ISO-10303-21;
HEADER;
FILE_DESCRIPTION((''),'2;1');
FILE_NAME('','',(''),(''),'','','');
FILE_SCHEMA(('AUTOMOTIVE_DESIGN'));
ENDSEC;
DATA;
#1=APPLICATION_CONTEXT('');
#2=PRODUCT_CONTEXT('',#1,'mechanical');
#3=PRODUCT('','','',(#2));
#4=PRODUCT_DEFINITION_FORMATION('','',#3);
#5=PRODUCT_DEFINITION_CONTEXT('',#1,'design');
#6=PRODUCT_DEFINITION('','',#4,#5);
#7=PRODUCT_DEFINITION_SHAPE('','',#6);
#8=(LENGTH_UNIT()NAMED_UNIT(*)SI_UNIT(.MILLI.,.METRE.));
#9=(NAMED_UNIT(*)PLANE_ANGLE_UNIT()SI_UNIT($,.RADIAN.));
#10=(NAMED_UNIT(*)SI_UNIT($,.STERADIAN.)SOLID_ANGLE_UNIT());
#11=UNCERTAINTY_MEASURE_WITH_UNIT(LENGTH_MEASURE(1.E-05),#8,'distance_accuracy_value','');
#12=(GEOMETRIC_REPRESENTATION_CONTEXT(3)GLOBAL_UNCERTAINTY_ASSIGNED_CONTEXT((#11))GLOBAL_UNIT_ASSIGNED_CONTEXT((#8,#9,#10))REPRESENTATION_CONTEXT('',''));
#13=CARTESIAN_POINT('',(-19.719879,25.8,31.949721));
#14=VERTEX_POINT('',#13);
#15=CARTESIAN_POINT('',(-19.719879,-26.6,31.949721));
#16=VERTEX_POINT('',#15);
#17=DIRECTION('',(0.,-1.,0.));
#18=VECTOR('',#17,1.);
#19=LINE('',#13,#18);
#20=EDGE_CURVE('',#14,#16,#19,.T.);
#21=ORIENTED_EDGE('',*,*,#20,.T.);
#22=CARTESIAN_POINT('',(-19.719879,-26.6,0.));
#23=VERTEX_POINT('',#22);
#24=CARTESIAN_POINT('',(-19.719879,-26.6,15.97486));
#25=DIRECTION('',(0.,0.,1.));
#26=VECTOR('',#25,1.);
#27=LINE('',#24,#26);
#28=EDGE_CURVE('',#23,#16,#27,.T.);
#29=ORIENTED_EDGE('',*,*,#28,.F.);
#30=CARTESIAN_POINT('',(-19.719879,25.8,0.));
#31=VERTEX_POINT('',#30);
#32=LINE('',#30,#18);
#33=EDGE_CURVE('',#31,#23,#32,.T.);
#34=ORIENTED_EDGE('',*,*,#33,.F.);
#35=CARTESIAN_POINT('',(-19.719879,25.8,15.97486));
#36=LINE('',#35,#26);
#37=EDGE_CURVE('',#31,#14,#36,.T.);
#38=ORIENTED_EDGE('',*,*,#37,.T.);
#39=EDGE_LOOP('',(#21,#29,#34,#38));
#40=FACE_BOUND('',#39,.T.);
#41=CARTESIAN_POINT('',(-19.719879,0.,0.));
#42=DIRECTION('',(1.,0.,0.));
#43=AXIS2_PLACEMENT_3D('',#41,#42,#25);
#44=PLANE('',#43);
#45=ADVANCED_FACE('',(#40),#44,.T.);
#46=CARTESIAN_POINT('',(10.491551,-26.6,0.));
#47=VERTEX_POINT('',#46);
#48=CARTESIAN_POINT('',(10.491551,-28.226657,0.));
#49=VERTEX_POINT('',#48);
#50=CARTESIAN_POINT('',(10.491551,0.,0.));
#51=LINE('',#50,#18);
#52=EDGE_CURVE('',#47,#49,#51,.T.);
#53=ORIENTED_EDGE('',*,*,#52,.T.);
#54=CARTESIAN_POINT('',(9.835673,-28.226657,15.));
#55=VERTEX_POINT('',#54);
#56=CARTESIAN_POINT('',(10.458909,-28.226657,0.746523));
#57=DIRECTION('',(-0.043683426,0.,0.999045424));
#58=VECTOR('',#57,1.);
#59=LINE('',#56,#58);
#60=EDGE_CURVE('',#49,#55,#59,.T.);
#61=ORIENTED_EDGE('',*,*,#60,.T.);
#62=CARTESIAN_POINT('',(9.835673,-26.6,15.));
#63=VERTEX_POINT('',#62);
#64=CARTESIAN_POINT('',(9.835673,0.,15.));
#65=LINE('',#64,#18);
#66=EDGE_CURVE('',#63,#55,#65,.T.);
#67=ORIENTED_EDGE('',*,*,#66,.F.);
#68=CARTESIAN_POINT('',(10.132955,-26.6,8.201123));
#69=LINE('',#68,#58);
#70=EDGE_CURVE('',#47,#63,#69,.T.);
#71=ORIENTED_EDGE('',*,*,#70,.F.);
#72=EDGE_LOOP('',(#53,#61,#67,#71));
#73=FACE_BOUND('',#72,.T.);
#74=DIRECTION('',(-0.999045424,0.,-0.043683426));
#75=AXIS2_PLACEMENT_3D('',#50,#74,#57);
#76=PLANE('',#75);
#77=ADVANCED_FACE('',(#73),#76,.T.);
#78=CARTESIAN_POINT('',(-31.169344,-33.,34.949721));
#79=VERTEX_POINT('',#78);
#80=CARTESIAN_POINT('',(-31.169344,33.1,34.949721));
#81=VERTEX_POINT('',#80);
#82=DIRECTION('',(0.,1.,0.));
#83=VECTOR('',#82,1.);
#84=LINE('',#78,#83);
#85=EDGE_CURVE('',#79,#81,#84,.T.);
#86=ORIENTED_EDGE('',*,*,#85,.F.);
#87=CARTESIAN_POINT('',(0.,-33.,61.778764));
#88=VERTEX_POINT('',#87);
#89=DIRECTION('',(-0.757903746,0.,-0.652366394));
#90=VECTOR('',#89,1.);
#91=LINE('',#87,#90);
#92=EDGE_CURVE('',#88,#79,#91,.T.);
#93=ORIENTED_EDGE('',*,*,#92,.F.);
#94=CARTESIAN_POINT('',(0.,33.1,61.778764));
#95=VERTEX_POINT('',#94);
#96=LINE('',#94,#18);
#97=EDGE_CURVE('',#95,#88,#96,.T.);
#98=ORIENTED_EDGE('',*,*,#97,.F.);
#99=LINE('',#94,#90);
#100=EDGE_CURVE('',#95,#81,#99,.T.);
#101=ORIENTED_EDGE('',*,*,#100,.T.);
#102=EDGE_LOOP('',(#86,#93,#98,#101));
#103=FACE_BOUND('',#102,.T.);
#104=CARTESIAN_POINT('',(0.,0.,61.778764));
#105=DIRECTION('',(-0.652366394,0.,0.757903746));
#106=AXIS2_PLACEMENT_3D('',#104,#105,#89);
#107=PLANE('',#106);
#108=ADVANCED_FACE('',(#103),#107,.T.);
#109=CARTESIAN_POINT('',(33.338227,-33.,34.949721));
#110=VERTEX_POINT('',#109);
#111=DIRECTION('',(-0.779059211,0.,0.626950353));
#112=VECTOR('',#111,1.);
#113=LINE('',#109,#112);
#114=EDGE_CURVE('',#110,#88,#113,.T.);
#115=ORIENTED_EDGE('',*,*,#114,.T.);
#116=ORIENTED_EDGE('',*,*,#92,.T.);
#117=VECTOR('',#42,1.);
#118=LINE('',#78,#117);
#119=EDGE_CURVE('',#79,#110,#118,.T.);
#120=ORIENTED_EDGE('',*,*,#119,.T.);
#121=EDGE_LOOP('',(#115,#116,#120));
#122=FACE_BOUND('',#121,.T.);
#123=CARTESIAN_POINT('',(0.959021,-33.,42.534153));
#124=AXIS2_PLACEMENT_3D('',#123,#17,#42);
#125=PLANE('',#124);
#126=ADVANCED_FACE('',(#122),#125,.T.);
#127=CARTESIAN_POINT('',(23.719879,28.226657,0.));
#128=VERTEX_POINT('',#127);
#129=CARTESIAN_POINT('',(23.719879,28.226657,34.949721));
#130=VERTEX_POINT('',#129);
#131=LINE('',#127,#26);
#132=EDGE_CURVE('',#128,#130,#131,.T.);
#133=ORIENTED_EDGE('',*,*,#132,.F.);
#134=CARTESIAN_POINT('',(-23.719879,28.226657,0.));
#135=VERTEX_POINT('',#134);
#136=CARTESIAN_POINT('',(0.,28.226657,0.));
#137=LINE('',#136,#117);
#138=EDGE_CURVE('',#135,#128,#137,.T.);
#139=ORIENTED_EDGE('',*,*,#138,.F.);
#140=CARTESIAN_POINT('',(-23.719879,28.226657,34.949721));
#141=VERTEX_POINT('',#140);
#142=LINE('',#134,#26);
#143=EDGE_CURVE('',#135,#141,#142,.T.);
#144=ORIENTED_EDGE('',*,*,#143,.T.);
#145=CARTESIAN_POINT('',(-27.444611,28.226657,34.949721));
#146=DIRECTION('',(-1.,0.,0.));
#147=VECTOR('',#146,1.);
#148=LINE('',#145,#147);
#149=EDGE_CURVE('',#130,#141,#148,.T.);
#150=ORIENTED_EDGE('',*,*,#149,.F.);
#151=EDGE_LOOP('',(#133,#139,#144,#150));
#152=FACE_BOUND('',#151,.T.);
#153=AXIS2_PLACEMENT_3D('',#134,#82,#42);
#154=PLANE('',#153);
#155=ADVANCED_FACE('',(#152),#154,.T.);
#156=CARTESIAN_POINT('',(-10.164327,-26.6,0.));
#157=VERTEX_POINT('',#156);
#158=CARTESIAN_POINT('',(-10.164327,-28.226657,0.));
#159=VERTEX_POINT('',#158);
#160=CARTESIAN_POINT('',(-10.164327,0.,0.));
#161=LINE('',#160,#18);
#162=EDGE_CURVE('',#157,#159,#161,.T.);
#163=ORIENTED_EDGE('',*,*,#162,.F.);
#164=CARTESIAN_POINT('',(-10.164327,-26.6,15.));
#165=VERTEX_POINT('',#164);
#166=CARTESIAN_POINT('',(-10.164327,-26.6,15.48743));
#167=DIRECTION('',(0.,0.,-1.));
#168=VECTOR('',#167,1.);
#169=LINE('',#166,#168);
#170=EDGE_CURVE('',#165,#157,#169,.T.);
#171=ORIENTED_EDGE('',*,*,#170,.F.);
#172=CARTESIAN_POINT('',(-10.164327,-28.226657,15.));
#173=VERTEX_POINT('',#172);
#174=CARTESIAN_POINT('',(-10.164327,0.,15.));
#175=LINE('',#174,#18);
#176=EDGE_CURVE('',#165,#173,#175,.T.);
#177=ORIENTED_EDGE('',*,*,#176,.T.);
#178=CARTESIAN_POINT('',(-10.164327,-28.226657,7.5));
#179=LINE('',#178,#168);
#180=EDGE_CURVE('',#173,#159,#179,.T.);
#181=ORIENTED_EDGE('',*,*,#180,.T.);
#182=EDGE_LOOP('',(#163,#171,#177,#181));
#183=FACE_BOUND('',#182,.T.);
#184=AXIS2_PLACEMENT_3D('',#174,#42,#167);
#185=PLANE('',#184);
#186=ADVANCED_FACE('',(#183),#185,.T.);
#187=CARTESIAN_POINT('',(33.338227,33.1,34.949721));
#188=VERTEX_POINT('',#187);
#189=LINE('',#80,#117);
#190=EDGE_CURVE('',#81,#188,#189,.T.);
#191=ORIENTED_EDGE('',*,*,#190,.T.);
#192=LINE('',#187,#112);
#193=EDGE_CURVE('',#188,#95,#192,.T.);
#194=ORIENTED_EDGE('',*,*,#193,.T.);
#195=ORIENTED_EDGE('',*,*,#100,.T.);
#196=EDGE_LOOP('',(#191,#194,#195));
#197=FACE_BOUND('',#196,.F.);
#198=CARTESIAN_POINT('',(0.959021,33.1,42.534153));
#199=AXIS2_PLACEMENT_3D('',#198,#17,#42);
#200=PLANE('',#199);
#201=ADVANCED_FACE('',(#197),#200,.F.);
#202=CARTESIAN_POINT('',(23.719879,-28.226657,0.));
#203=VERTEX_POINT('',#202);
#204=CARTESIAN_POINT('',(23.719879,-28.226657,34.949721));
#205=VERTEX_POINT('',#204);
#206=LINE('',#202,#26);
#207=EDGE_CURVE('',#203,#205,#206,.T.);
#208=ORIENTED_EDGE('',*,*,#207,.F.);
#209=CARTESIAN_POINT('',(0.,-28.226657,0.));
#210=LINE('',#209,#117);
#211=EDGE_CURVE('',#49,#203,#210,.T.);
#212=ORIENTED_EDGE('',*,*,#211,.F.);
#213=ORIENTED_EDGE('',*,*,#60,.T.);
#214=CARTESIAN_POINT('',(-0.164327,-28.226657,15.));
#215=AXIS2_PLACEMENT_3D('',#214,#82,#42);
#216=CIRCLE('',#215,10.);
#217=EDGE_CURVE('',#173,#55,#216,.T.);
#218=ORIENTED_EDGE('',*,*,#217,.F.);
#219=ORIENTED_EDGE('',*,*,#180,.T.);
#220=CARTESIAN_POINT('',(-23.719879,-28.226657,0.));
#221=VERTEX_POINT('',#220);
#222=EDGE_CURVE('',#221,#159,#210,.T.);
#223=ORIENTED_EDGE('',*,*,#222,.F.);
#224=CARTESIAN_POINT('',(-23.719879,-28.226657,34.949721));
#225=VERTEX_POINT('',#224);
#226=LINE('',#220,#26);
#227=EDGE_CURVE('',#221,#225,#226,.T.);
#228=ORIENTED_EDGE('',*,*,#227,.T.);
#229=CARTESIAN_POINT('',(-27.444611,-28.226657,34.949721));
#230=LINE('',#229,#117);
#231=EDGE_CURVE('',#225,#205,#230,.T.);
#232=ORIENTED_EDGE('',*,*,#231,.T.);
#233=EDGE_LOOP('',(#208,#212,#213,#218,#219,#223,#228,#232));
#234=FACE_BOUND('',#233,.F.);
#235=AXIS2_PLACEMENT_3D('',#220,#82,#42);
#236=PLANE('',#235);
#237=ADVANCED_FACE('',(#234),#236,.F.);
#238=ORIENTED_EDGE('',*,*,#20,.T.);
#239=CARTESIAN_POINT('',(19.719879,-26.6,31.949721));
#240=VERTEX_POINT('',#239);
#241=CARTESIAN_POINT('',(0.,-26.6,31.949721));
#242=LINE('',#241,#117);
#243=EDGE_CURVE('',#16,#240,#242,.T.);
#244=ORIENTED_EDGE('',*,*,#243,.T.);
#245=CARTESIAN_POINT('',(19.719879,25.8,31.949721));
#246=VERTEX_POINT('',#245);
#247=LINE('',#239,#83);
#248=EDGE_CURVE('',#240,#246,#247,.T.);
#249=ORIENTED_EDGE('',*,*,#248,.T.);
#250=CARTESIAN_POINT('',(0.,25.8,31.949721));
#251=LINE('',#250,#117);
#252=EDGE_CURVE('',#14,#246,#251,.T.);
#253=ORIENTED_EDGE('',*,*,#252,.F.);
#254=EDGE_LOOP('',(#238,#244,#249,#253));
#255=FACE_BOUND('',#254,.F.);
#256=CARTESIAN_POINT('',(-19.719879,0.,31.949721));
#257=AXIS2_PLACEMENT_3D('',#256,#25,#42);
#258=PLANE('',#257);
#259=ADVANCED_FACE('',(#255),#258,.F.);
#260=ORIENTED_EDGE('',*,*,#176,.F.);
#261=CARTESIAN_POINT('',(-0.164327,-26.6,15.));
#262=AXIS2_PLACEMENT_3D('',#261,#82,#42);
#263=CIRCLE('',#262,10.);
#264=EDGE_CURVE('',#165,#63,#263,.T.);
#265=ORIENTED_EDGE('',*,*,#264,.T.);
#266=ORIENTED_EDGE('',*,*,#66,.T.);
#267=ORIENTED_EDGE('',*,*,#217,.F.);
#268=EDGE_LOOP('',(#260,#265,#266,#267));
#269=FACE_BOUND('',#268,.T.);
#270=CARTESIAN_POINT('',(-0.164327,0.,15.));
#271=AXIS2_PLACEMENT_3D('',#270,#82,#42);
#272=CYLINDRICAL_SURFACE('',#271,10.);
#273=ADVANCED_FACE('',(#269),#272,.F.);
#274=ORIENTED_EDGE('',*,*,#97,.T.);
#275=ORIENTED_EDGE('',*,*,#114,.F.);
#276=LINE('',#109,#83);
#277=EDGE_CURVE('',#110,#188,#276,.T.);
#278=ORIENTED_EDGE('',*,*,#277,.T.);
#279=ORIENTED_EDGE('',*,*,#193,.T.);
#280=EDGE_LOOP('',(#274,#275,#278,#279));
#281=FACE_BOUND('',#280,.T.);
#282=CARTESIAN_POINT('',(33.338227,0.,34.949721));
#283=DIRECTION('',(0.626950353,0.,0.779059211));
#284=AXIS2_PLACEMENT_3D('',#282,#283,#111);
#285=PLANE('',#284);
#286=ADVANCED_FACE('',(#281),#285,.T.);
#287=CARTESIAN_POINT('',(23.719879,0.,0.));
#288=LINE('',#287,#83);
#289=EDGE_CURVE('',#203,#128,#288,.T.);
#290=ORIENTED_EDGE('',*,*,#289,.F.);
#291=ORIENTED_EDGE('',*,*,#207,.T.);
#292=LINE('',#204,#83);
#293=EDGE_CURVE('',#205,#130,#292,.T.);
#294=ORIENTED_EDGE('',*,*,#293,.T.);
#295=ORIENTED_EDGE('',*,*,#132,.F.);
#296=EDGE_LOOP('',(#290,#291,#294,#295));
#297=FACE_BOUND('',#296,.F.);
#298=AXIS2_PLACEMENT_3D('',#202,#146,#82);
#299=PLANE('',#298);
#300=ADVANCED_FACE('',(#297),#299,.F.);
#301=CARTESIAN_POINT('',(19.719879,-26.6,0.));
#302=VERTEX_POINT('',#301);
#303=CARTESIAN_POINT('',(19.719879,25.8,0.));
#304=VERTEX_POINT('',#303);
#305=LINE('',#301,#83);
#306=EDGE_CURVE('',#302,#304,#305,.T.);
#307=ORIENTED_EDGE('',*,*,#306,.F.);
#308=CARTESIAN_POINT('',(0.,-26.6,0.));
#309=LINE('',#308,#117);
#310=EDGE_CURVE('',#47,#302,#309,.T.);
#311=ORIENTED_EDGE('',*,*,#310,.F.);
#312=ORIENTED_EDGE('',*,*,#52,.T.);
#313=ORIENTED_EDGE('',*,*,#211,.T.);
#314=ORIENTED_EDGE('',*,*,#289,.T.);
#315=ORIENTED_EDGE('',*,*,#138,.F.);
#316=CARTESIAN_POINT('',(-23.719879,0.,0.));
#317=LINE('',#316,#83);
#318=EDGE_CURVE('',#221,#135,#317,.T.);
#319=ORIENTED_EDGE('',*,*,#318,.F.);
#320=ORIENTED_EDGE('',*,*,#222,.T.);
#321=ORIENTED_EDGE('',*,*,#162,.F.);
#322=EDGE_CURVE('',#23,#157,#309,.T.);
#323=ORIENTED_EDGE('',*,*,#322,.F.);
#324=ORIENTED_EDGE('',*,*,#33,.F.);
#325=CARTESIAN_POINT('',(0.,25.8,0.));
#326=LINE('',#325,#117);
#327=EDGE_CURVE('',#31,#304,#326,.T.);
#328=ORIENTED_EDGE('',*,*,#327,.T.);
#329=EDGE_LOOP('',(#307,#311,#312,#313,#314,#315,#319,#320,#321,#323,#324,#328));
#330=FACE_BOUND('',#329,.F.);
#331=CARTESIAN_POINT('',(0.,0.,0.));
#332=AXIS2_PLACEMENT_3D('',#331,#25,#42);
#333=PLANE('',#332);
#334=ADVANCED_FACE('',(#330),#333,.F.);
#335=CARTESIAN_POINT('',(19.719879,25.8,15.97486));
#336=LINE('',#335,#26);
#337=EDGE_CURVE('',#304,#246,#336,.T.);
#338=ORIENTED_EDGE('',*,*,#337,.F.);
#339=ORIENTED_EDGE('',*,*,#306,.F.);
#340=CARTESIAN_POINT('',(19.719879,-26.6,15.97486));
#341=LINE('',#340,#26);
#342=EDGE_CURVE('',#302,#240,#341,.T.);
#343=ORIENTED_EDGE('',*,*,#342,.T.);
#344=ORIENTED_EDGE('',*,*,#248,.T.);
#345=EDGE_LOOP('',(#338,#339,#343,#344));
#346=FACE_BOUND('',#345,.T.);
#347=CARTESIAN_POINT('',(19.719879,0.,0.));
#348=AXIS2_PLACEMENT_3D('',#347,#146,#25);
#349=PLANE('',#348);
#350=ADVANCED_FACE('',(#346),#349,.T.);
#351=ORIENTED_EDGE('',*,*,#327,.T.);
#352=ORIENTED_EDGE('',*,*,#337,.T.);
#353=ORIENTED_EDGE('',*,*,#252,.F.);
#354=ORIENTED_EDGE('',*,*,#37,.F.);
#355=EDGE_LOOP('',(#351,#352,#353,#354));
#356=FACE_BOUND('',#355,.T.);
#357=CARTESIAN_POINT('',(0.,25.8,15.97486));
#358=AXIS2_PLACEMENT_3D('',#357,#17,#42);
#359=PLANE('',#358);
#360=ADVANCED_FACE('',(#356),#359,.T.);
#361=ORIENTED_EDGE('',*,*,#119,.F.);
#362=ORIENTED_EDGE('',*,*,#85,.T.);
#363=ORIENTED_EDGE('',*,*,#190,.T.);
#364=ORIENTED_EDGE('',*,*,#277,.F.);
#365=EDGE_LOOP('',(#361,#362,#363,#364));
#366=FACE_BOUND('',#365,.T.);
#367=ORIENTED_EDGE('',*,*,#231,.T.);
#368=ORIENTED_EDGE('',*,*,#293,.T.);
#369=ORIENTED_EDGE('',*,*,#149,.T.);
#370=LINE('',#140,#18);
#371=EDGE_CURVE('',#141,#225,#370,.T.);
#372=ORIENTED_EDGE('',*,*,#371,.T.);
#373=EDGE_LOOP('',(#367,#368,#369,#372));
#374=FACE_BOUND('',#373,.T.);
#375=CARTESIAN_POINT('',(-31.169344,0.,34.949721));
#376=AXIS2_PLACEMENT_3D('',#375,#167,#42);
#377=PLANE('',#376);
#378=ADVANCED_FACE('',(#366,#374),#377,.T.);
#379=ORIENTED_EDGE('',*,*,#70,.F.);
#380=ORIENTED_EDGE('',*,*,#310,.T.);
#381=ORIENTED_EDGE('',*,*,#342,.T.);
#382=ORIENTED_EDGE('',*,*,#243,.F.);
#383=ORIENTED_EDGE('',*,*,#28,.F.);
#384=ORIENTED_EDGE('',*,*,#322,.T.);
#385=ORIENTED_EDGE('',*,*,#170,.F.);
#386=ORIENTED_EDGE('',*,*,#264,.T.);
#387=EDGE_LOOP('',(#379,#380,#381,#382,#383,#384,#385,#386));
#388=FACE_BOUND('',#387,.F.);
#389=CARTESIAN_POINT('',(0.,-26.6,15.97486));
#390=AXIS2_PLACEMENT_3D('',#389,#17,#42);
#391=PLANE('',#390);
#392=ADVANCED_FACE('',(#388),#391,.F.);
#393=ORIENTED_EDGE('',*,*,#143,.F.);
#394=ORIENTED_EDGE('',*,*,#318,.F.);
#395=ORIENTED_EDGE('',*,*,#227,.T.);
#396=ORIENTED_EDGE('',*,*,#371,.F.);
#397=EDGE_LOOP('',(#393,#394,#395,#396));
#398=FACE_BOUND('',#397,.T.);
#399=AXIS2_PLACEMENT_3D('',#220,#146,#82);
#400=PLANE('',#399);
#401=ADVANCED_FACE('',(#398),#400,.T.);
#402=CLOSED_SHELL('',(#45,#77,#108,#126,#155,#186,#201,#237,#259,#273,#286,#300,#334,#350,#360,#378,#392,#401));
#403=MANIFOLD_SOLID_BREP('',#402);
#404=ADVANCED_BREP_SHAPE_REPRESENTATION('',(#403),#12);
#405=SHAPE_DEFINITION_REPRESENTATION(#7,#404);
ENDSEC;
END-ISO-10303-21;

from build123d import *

# Parameters (mm, degrees)
F0_W          = 47.4397577345
F0_H          = 56.4533136785
F1_DEPTH      = 40
F3_DEPTH      = 33
F3_DEPTH_BACK = 33.1
F5_DEPTH      = 33.3
F6_W          = 39.4397577345
F6_H          = 31.9497205708
F7_DEPTH      = 26.6
F7_DEPTH_BACK = 25.8


with BuildPart() as f1:
    # F0 (on Top) → F1 (new body)
    with BuildSketch(Plane.XY):
        Rectangle(F0_W, F0_H)
    extrude(amount=F1_DEPTH)

    # F2 (on Front) → F3 (join, two sides)
    with BuildSketch(Plane.XZ) as f3_sk:
        Polygon((33.3382274703, 34.9497205708), (0, 61.778764094), (-31.1693440729, 34.9497205708), (-28.1035822263, 34.9497205708), (29.8146836554, 34.9497205708), align=None)
    extrude(amount=F3_DEPTH)
    extrude(f3_sk.sketch, amount=-F3_DEPTH_BACK)

    # F4 (on Front) → F5 (cut)
    with BuildSketch(Plane.XZ):
        with BuildLine():
            Line((10.4915505733, 0), (9.8356730979, 15))
            ThreePointArc((9.8356730979, 15), (-0.1643269021, 25), (-10.1643269021, 15))
            Line((-10.1643269021, 15), (-10.1643269021, 0))
            Line((-10.1643269021, 0), (10.4915505733, 0))
        make_face()
    extrude(amount=F5_DEPTH, mode=Mode.SUBTRACT)

    # F6 (on Front) → F7 (cut, two sides)
    with BuildSketch(Plane.XZ) as f7_sk:
        with Locations((0, 15.9748602854)):
            Rectangle(F6_W, F6_H)
    extrude(amount=F7_DEPTH, mode=Mode.SUBTRACT)
    extrude(f7_sk.sketch, amount=-F7_DEPTH_BACK, mode=Mode.SUBTRACT)


solid = f1.part
